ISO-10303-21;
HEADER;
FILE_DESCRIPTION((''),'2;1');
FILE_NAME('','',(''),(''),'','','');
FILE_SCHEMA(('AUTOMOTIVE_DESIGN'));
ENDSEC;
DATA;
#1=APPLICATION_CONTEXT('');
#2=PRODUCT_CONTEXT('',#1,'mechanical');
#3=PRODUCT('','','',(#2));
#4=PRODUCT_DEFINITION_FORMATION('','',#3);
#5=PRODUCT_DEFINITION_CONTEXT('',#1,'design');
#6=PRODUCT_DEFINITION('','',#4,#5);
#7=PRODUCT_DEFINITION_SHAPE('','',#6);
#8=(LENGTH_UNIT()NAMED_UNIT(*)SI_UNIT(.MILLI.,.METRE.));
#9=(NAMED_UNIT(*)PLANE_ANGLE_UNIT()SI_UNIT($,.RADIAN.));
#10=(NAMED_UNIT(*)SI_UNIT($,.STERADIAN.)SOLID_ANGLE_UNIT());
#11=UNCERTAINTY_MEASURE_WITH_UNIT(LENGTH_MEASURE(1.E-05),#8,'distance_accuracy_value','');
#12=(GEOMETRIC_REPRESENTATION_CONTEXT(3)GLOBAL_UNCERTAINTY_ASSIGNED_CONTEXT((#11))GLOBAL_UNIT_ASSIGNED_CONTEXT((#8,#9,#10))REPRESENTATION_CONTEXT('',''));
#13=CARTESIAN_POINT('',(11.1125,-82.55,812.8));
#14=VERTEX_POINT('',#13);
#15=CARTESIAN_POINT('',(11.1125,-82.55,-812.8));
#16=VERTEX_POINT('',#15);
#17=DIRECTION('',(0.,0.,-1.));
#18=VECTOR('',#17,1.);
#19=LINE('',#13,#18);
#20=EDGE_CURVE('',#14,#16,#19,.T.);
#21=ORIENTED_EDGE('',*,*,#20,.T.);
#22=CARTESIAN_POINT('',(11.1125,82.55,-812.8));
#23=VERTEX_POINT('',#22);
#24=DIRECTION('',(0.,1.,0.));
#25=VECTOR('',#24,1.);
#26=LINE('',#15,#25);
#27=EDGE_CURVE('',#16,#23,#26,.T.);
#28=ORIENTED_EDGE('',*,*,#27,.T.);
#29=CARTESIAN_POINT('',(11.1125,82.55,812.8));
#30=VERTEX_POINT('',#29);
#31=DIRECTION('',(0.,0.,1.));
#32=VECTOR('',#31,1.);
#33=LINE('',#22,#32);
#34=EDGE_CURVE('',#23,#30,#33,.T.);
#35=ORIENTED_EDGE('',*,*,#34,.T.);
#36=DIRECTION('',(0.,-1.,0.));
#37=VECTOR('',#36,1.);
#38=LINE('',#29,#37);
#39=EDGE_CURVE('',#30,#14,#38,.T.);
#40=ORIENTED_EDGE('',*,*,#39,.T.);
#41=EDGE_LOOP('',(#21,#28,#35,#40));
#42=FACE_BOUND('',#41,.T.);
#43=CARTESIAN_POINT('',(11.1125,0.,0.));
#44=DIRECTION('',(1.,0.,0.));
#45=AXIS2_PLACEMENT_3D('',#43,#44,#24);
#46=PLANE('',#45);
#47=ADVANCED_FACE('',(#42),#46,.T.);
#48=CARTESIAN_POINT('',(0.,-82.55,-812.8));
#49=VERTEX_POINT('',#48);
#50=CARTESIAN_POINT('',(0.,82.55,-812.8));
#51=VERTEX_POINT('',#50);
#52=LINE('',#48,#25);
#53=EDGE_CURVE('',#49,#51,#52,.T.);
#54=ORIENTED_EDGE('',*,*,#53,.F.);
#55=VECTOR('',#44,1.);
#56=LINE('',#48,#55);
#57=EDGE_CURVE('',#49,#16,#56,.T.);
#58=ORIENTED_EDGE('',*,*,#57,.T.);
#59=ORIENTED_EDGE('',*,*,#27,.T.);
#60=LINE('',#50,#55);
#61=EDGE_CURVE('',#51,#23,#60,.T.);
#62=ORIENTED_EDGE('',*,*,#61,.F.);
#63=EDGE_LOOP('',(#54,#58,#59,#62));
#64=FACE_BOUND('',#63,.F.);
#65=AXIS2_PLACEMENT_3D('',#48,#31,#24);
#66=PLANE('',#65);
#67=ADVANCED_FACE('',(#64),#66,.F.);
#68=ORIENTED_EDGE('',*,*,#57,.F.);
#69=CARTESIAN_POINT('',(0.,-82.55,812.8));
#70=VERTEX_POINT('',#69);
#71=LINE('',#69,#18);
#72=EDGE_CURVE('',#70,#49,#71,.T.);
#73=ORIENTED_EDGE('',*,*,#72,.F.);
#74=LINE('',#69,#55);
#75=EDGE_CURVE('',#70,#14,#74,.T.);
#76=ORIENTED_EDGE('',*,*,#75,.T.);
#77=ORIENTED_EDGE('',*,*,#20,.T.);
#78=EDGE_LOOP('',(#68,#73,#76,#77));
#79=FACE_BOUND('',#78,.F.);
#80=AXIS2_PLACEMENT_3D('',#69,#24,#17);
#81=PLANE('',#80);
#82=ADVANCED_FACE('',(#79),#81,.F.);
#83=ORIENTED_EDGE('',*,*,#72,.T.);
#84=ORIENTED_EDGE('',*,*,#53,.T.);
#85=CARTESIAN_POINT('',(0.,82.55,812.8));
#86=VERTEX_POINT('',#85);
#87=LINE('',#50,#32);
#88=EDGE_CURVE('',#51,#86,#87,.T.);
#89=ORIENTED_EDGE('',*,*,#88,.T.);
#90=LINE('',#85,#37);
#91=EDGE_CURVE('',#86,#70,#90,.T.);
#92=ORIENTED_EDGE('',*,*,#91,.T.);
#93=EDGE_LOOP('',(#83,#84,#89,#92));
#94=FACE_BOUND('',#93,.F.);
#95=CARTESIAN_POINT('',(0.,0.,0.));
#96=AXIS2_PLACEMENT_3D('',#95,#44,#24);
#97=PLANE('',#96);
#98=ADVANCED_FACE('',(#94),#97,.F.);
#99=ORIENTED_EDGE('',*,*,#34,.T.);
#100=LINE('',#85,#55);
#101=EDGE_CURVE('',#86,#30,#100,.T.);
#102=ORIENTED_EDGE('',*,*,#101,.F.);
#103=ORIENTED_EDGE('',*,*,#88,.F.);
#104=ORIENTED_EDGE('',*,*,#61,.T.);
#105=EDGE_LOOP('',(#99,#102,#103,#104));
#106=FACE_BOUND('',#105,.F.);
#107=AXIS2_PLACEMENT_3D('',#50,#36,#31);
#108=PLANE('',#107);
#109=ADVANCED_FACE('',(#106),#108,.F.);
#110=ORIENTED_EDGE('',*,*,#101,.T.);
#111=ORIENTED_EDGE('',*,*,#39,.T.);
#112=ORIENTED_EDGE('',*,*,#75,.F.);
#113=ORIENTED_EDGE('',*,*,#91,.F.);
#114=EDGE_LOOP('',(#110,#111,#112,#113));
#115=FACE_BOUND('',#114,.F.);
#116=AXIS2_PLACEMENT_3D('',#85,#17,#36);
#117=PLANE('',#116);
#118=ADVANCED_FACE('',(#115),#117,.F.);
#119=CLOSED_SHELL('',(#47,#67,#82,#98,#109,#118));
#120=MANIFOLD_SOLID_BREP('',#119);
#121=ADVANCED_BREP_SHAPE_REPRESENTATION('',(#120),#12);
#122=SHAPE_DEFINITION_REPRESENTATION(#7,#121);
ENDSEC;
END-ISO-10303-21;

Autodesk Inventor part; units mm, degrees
ref_plane "YZ Plane" through (0, 0, 0) normal (1, 0, 0) x (0, 1, 0)
ref_plane "XZ Plane" through (0, 0, 0) normal (0, 1, 0) x (-1, 0, 0)
ref_plane "XY Plane" through (0, 0, 0) normal (0, 0, 1) x (1, 0, 0)
sketch "Sketch1" plane through (0, 0, 0) normal (1, 0, 0) x (0, 1, 0)
  line L0 (-82.55, 812.8) -> (-82.55, -812.8)
  line L1 (-82.55, -812.8) -> (82.55, -812.8)
  line L2 (82.55, -812.8) -> (82.55, 812.8)
  line L3 (82.55, 812.8) -> (-82.55, 812.8)
  line L4 (-82.55, 812.8) -> (82.55, -812.8) construction
  line L5 (-82.55, -812.8) -> (82.55, 812.8) construction
  point P0 (0, 0)
  dimension "d0" = 1625.6
  dimension "d1" = 165.1
extrude "Extrusion1" add sketch "Sketch1" along normal blind 11.1125
properties part number "Home Depot Composite Slat 64 in" material "Wood (Cherry)"
